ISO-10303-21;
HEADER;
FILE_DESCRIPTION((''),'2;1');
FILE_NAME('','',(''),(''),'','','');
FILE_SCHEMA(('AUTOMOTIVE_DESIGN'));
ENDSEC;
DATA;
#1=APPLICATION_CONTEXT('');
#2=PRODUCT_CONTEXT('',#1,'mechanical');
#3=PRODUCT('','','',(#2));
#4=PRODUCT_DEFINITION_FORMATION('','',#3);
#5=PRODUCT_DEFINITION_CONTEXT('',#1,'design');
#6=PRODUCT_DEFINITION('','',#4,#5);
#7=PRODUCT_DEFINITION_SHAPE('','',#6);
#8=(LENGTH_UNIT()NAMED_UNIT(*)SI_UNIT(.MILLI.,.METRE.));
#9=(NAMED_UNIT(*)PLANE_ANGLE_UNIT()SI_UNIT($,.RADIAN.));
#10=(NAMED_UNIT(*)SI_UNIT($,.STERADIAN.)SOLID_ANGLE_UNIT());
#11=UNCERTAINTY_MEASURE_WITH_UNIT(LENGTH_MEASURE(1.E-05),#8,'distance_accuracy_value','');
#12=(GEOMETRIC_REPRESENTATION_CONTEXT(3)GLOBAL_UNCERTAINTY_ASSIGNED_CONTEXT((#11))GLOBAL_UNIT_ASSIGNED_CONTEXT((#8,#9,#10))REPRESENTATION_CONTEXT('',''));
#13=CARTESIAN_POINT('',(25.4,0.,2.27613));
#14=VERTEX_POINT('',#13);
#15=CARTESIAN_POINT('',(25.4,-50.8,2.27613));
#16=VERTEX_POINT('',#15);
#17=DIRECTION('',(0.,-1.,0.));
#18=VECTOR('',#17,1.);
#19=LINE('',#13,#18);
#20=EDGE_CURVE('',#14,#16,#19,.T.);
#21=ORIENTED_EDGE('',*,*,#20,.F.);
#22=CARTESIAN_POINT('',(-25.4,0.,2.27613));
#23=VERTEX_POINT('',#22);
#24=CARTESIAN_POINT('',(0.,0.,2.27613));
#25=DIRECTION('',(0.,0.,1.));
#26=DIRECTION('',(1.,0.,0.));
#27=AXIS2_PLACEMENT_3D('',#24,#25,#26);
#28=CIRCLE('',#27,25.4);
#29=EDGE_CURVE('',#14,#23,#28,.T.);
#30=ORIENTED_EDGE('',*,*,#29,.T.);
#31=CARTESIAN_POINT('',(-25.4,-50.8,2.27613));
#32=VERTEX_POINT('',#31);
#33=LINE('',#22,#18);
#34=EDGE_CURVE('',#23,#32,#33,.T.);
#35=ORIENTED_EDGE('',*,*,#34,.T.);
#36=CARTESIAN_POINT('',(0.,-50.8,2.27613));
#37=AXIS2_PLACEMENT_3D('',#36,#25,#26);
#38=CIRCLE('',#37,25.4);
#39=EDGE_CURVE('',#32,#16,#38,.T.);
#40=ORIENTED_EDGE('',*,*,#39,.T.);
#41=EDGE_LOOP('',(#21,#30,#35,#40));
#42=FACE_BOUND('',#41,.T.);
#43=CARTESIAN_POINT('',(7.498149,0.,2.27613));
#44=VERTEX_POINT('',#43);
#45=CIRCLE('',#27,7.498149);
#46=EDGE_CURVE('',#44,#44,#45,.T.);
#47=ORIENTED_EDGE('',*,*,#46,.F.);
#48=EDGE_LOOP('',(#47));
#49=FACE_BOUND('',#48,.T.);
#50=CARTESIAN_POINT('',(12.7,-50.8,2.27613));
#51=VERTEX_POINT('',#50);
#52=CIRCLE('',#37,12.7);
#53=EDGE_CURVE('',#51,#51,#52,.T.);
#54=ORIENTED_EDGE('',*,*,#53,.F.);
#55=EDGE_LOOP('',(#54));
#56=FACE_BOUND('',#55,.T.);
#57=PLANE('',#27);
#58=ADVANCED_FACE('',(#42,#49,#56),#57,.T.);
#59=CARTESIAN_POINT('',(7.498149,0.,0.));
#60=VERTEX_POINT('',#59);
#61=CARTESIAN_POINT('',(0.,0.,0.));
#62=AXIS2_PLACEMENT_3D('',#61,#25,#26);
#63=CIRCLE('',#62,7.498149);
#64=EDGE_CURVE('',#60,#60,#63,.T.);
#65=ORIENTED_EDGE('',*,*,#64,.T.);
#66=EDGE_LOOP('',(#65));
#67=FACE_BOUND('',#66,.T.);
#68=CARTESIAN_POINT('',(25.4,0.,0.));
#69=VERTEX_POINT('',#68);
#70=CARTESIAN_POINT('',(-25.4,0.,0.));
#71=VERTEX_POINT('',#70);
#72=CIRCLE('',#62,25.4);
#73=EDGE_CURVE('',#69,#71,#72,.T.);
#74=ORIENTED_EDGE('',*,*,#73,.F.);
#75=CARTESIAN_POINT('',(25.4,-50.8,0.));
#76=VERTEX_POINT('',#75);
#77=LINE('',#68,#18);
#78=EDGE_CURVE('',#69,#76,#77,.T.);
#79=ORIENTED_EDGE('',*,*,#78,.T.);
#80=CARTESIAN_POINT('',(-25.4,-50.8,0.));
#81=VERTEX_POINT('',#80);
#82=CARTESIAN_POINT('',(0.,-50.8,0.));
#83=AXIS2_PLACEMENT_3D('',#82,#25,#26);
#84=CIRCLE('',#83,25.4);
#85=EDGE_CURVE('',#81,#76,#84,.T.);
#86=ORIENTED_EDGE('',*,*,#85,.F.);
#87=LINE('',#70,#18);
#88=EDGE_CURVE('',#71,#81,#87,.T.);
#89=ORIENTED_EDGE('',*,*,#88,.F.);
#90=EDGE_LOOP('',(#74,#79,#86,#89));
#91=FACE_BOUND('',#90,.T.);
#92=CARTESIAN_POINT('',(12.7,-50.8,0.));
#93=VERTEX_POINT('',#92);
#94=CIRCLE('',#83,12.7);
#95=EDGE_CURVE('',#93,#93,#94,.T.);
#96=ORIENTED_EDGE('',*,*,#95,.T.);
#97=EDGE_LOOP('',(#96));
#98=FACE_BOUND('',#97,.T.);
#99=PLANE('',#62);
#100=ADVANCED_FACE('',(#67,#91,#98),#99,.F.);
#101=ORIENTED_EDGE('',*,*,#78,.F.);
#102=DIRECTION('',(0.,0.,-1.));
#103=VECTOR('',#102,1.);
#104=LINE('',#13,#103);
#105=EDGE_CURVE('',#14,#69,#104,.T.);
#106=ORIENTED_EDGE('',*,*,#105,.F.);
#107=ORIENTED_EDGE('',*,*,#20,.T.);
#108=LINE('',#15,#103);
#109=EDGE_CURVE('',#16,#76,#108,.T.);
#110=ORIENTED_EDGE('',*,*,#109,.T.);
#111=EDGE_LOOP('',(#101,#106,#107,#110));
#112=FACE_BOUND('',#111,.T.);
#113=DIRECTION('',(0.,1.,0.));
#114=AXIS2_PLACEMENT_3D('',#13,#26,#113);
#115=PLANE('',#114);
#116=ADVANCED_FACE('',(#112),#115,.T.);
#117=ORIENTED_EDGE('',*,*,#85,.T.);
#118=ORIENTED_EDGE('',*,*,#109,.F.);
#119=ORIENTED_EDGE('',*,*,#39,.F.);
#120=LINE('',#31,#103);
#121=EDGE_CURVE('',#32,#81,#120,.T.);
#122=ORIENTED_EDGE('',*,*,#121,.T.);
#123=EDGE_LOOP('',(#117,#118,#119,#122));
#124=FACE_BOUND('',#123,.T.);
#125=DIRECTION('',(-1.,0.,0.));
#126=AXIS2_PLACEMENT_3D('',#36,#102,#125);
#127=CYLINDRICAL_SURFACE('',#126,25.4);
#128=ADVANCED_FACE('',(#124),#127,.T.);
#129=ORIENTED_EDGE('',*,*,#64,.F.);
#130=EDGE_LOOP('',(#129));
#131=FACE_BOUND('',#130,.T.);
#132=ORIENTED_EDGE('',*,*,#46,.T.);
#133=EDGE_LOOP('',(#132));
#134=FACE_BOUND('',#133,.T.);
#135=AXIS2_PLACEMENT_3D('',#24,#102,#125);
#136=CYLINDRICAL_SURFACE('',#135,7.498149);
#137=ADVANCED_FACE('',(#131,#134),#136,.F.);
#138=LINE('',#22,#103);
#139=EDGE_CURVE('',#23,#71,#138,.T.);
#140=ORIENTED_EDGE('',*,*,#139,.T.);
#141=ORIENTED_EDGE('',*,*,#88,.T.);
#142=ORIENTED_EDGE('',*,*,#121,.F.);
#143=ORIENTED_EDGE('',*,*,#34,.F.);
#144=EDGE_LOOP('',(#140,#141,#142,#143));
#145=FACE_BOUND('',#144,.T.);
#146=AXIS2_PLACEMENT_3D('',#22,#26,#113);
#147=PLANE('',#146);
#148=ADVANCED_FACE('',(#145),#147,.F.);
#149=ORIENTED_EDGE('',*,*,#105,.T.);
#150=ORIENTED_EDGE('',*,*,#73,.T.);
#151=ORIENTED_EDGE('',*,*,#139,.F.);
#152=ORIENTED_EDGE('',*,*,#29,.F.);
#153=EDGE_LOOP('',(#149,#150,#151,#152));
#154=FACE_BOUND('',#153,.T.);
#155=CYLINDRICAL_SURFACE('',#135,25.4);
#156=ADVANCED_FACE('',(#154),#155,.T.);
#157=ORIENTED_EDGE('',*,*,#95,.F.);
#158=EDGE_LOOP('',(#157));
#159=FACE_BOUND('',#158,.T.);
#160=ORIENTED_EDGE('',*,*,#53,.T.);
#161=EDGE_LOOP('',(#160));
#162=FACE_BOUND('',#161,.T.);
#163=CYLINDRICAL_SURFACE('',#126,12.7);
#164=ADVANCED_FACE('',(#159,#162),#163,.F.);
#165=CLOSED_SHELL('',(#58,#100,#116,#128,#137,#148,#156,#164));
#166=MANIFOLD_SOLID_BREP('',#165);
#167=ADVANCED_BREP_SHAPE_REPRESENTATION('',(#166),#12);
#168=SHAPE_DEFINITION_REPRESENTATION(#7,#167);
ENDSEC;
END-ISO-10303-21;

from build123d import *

# Parameters (mm, degrees)
BOSS_EXTRUDE1_DEPTH = 2.276130482


with BuildPart() as part:
    # Sketch1 → Boss-Extrude1 (new body)
    with BuildSketch(Plane.XY):
        with BuildLine():
            ThreePointArc((-7.498149452, 0), (0, 7.498149452), (7.498149452, 0))
            Line((7.498149452, 0), (25.4, 0))
            ThreePointArc((25.4, 0), (0, 25.4), (-25.4, 0))
            Line((-25.4, 0), (-7.498149452, 0))
        make_face()
        with BuildLine():
            Line((25.4, 0), (7.498149452, 0))
            ThreePointArc((7.498149452, 0), (0, -7.498149452), (-7.498149452, 0))
            Line((-7.498149452, 0), (-25.4, 0))
            ThreePointArc((-25.4, 0), (-17.960512225, -17.960512259), (4.9e-08, -25.4))
            ThreePointArc((4.9e-08, -25.4), (17.960512259, -17.960512225), (25.4, 0))
        make_face()
        with BuildLine():
            Line((25.4, -50.8), (25.4, 0))
            ThreePointArc((25.4, 0), (17.960512259, -17.960512225), (4.9e-08, -25.4))
            ThreePointArc((4.9e-08, -25.4), (17.960512259, -32.839487775), (25.4, -50.8))
        make_face()
        with BuildLine():
            ThreePointArc((4.9e-08, -25.4), (-17.960512225, -17.960512259), (-25.4, 0))
            Line((-25.4, 0), (-25.4, -50.8))
            ThreePointArc((-25.4, -50.8), (-17.960512225, -32.839487741), (4.9e-08, -25.4))
        make_face()
        with BuildLine():
            ThreePointArc((-25.4, -50.8), (0, -76.2), (25.4, -50.8))
            Line((25.4, -50.8), (12.7, -50.8))
            ThreePointArc((12.7, -50.8), (0, -63.5), (-12.7, -50.8))
            Line((-12.7, -50.8), (-25.4, -50.8))
        make_face()
        with BuildLine():
            Line((12.7, -50.8), (25.4, -50.8))
            ThreePointArc((25.4, -50.8), (17.960512259, -32.839487775), (4.9e-08, -25.4))
            ThreePointArc((4.9e-08, -25.4), (-17.960512225, -32.839487741), (-25.4, -50.8))
            Line((-25.4, -50.8), (-12.7, -50.8))
            ThreePointArc((-12.7, -50.8), (0, -38.1), (12.7, -50.8))
        make_face()
    extrude(amount=BOSS_EXTRUDE1_DEPTH)


solid = part.part
